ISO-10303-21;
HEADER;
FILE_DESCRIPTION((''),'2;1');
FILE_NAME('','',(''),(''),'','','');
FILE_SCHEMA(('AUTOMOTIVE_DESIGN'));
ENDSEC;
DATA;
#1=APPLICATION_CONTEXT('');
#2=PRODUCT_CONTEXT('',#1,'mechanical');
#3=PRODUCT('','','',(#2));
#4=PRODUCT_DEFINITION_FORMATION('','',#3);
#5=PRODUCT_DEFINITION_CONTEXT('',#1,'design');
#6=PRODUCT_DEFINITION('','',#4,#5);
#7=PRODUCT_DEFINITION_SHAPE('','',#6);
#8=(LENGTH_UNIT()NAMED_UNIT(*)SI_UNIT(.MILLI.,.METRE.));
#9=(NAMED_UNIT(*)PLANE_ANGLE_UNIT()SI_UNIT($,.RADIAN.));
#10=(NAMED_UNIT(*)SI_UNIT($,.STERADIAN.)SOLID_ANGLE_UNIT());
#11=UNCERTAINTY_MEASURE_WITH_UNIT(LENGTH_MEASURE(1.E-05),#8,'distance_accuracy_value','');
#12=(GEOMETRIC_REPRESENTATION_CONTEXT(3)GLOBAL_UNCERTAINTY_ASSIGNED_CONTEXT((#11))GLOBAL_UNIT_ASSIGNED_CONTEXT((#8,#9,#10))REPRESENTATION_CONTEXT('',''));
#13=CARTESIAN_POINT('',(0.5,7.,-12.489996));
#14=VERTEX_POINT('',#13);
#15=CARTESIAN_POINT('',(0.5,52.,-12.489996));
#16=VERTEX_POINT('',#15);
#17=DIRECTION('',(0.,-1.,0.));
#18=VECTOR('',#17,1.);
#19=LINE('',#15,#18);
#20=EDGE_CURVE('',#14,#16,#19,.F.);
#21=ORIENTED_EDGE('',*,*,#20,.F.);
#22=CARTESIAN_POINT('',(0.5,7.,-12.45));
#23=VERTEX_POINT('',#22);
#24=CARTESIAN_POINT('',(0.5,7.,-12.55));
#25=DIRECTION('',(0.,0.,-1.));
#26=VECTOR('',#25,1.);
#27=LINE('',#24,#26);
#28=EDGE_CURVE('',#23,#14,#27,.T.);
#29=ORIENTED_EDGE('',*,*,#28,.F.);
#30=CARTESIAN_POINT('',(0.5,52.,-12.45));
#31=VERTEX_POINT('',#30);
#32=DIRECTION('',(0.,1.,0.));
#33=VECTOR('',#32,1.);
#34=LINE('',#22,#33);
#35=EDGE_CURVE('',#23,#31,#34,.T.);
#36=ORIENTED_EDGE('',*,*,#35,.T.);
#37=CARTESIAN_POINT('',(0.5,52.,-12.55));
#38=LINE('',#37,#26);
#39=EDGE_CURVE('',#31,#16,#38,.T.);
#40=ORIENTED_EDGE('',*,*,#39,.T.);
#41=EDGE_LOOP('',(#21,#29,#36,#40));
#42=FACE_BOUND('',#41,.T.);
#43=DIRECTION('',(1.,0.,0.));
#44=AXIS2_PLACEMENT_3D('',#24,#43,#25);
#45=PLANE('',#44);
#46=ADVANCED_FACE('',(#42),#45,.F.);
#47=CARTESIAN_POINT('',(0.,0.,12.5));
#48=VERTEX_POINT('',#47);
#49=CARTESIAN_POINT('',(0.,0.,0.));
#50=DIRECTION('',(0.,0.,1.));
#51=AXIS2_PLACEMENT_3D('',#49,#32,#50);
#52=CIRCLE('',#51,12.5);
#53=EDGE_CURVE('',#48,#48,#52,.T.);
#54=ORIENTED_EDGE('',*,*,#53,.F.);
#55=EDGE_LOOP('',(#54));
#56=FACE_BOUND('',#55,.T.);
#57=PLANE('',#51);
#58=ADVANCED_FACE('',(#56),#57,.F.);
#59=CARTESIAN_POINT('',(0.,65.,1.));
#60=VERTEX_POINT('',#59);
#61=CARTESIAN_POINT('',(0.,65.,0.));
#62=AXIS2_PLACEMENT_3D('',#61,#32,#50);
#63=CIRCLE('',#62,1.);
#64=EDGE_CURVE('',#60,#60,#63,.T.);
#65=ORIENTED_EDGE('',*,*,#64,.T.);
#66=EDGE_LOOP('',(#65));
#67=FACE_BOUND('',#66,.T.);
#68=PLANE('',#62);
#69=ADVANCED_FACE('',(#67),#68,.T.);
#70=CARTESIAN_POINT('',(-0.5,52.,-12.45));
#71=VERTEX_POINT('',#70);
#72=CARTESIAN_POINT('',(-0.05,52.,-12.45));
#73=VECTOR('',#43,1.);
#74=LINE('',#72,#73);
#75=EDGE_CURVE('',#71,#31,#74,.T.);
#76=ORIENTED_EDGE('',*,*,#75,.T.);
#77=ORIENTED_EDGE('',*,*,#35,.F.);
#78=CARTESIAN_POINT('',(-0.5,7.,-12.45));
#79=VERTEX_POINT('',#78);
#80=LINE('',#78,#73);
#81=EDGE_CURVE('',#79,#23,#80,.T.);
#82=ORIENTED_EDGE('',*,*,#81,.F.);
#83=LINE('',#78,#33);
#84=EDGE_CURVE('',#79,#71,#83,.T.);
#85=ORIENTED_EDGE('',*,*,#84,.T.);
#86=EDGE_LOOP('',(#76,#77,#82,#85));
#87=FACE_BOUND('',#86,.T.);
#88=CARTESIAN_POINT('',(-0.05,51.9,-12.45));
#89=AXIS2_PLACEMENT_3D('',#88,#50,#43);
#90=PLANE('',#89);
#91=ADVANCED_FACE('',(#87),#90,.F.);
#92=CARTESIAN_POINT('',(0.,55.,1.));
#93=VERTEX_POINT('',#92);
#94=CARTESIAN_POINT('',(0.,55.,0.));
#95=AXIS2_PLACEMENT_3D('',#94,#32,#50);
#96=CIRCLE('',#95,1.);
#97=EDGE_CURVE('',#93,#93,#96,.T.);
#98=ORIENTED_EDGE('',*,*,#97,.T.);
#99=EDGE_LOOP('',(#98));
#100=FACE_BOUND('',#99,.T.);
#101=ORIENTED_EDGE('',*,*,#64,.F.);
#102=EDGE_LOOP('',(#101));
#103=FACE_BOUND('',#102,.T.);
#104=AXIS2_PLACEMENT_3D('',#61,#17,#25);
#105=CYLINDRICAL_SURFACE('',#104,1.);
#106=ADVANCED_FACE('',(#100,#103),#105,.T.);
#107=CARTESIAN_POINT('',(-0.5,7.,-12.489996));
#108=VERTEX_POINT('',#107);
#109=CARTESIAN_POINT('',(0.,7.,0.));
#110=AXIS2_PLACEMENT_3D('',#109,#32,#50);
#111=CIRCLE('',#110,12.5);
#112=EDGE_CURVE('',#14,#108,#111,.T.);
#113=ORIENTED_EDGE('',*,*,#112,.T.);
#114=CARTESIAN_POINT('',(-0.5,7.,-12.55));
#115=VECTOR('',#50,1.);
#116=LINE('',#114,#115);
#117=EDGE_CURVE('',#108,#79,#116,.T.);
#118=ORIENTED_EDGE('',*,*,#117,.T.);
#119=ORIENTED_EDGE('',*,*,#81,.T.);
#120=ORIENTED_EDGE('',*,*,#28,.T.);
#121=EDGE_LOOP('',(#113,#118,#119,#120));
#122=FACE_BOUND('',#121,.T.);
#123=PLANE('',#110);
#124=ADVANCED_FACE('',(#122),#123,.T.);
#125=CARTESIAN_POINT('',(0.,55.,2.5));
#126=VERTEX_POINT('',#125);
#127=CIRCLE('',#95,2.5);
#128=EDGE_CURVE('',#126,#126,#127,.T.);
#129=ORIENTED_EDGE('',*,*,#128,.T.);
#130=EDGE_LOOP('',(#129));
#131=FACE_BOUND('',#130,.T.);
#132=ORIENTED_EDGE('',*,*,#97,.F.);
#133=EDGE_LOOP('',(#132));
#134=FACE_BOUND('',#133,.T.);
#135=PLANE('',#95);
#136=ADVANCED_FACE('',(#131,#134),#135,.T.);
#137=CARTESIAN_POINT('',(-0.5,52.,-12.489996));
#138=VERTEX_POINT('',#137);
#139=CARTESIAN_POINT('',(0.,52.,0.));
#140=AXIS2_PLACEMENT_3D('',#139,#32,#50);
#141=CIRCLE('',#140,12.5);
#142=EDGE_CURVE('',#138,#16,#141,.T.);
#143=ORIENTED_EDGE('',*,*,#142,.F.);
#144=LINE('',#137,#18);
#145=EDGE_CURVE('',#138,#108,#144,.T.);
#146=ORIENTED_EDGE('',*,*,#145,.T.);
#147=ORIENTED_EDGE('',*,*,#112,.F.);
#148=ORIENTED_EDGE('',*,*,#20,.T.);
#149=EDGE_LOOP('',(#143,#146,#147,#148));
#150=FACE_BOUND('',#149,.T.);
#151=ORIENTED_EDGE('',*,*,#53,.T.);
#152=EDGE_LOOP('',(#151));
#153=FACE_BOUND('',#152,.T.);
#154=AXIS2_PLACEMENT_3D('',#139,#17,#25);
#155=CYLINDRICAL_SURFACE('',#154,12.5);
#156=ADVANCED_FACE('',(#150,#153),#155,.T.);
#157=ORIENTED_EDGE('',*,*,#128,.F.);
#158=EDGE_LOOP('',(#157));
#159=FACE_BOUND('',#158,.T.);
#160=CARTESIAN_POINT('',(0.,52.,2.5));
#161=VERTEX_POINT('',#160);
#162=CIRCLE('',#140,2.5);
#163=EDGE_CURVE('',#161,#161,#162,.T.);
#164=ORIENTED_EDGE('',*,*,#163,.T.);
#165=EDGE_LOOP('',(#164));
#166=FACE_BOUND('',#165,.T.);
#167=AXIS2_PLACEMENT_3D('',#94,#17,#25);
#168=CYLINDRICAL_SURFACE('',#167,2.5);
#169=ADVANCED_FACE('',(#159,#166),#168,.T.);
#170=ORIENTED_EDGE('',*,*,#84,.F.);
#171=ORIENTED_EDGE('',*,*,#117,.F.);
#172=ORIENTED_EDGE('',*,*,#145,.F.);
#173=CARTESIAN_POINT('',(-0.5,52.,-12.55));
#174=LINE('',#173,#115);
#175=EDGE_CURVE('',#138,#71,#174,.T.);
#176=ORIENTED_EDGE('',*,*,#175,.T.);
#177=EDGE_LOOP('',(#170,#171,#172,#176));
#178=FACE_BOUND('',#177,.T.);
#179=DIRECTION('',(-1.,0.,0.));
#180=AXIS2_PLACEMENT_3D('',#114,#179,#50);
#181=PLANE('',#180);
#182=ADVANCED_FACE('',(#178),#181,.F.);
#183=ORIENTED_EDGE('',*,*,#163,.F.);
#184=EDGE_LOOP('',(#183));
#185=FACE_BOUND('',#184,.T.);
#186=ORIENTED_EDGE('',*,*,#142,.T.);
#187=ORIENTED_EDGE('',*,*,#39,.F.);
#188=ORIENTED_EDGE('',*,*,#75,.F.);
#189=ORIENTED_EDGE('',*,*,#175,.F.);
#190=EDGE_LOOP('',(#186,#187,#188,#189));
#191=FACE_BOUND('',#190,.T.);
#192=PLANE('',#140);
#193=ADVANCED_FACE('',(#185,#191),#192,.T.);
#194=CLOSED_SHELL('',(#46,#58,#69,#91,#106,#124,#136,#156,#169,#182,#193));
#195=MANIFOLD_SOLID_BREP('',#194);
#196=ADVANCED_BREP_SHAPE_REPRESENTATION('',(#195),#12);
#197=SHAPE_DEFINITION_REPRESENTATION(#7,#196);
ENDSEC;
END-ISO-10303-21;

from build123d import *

# Parameters (mm, degrees)
CROQUIS1_R              = 12.5
SALIENTE_EXTRUIR1_DEPTH = 52
CROQUIS2_R              = 2.5
SALIENTE_EXTRUIR2_DEPTH = 3
CROQUIS3_R              = 1
SALIENTE_EXTRUIR3_DEPTH = 10
CROQUIS4_W              = 0.1
CROQUIS4_H              = 0.1
CORTAR_EXTRUIR1_DEPTH   = 0.1
CROQUIS5_W              = 1
CROQUIS5_H              = 0.1
CORTAR_EXTRUIR2_DEPTH   = 45


with BuildPart() as part:
    # Croquis1 → Saliente-Extruir1 (new body)
    with BuildSketch(Plane(origin=(0, 0, 0), x_dir=(1, 0, 0), z_dir=(0, 1, 0))):
        with Locations(Location((0, 0, 0), (0, 0, 90))):
            Circle(CROQUIS1_R)
    extrude(amount=SALIENTE_EXTRUIR1_DEPTH)

    # Croquis2 → Saliente-Extruir2 (add)
    with BuildSketch(Plane(origin=(0, 52, 0), x_dir=(1, 0, 0), z_dir=(0, 1, 0))):
        with Locations(Location((0, 0, 0), (0, 0, 270))):
            Circle(CROQUIS2_R)
    extrude(amount=SALIENTE_EXTRUIR2_DEPTH)

    # Croquis3 → Saliente-Extruir3 (add)
    with BuildSketch(Plane(origin=(0, 55, 0), x_dir=(1, 0, 0), z_dir=(0, 1, 0))):
        with Locations(Location((0, 0, 0), (0, 0, 270))):
            Circle(CROQUIS3_R)
    extrude(amount=SALIENTE_EXTRUIR3_DEPTH)

    # Croquis4 → Cortar-Extruir1 (cut)
    with BuildSketch(Plane(origin=(0, 52, 0), x_dir=(1, 0, 0), z_dir=(0, 1, 0))):
        with Locations((0, 12.5)):
            Rectangle(CROQUIS4_W, CROQUIS4_H)
    extrude(amount=-CORTAR_EXTRUIR1_DEPTH, mode=Mode.SUBTRACT)

    # Croquis5 → Cortar-Extruir2 (cut)
    with BuildSketch(Plane(origin=(0, 52, 0), x_dir=(1, 0, 0), z_dir=(0, 1, 0))):
        with Locations((0, 12.5)):
            Rectangle(CROQUIS5_W, CROQUIS5_H)
    extrude(amount=-CORTAR_EXTRUIR2_DEPTH, mode=Mode.SUBTRACT)


solid = part.part
